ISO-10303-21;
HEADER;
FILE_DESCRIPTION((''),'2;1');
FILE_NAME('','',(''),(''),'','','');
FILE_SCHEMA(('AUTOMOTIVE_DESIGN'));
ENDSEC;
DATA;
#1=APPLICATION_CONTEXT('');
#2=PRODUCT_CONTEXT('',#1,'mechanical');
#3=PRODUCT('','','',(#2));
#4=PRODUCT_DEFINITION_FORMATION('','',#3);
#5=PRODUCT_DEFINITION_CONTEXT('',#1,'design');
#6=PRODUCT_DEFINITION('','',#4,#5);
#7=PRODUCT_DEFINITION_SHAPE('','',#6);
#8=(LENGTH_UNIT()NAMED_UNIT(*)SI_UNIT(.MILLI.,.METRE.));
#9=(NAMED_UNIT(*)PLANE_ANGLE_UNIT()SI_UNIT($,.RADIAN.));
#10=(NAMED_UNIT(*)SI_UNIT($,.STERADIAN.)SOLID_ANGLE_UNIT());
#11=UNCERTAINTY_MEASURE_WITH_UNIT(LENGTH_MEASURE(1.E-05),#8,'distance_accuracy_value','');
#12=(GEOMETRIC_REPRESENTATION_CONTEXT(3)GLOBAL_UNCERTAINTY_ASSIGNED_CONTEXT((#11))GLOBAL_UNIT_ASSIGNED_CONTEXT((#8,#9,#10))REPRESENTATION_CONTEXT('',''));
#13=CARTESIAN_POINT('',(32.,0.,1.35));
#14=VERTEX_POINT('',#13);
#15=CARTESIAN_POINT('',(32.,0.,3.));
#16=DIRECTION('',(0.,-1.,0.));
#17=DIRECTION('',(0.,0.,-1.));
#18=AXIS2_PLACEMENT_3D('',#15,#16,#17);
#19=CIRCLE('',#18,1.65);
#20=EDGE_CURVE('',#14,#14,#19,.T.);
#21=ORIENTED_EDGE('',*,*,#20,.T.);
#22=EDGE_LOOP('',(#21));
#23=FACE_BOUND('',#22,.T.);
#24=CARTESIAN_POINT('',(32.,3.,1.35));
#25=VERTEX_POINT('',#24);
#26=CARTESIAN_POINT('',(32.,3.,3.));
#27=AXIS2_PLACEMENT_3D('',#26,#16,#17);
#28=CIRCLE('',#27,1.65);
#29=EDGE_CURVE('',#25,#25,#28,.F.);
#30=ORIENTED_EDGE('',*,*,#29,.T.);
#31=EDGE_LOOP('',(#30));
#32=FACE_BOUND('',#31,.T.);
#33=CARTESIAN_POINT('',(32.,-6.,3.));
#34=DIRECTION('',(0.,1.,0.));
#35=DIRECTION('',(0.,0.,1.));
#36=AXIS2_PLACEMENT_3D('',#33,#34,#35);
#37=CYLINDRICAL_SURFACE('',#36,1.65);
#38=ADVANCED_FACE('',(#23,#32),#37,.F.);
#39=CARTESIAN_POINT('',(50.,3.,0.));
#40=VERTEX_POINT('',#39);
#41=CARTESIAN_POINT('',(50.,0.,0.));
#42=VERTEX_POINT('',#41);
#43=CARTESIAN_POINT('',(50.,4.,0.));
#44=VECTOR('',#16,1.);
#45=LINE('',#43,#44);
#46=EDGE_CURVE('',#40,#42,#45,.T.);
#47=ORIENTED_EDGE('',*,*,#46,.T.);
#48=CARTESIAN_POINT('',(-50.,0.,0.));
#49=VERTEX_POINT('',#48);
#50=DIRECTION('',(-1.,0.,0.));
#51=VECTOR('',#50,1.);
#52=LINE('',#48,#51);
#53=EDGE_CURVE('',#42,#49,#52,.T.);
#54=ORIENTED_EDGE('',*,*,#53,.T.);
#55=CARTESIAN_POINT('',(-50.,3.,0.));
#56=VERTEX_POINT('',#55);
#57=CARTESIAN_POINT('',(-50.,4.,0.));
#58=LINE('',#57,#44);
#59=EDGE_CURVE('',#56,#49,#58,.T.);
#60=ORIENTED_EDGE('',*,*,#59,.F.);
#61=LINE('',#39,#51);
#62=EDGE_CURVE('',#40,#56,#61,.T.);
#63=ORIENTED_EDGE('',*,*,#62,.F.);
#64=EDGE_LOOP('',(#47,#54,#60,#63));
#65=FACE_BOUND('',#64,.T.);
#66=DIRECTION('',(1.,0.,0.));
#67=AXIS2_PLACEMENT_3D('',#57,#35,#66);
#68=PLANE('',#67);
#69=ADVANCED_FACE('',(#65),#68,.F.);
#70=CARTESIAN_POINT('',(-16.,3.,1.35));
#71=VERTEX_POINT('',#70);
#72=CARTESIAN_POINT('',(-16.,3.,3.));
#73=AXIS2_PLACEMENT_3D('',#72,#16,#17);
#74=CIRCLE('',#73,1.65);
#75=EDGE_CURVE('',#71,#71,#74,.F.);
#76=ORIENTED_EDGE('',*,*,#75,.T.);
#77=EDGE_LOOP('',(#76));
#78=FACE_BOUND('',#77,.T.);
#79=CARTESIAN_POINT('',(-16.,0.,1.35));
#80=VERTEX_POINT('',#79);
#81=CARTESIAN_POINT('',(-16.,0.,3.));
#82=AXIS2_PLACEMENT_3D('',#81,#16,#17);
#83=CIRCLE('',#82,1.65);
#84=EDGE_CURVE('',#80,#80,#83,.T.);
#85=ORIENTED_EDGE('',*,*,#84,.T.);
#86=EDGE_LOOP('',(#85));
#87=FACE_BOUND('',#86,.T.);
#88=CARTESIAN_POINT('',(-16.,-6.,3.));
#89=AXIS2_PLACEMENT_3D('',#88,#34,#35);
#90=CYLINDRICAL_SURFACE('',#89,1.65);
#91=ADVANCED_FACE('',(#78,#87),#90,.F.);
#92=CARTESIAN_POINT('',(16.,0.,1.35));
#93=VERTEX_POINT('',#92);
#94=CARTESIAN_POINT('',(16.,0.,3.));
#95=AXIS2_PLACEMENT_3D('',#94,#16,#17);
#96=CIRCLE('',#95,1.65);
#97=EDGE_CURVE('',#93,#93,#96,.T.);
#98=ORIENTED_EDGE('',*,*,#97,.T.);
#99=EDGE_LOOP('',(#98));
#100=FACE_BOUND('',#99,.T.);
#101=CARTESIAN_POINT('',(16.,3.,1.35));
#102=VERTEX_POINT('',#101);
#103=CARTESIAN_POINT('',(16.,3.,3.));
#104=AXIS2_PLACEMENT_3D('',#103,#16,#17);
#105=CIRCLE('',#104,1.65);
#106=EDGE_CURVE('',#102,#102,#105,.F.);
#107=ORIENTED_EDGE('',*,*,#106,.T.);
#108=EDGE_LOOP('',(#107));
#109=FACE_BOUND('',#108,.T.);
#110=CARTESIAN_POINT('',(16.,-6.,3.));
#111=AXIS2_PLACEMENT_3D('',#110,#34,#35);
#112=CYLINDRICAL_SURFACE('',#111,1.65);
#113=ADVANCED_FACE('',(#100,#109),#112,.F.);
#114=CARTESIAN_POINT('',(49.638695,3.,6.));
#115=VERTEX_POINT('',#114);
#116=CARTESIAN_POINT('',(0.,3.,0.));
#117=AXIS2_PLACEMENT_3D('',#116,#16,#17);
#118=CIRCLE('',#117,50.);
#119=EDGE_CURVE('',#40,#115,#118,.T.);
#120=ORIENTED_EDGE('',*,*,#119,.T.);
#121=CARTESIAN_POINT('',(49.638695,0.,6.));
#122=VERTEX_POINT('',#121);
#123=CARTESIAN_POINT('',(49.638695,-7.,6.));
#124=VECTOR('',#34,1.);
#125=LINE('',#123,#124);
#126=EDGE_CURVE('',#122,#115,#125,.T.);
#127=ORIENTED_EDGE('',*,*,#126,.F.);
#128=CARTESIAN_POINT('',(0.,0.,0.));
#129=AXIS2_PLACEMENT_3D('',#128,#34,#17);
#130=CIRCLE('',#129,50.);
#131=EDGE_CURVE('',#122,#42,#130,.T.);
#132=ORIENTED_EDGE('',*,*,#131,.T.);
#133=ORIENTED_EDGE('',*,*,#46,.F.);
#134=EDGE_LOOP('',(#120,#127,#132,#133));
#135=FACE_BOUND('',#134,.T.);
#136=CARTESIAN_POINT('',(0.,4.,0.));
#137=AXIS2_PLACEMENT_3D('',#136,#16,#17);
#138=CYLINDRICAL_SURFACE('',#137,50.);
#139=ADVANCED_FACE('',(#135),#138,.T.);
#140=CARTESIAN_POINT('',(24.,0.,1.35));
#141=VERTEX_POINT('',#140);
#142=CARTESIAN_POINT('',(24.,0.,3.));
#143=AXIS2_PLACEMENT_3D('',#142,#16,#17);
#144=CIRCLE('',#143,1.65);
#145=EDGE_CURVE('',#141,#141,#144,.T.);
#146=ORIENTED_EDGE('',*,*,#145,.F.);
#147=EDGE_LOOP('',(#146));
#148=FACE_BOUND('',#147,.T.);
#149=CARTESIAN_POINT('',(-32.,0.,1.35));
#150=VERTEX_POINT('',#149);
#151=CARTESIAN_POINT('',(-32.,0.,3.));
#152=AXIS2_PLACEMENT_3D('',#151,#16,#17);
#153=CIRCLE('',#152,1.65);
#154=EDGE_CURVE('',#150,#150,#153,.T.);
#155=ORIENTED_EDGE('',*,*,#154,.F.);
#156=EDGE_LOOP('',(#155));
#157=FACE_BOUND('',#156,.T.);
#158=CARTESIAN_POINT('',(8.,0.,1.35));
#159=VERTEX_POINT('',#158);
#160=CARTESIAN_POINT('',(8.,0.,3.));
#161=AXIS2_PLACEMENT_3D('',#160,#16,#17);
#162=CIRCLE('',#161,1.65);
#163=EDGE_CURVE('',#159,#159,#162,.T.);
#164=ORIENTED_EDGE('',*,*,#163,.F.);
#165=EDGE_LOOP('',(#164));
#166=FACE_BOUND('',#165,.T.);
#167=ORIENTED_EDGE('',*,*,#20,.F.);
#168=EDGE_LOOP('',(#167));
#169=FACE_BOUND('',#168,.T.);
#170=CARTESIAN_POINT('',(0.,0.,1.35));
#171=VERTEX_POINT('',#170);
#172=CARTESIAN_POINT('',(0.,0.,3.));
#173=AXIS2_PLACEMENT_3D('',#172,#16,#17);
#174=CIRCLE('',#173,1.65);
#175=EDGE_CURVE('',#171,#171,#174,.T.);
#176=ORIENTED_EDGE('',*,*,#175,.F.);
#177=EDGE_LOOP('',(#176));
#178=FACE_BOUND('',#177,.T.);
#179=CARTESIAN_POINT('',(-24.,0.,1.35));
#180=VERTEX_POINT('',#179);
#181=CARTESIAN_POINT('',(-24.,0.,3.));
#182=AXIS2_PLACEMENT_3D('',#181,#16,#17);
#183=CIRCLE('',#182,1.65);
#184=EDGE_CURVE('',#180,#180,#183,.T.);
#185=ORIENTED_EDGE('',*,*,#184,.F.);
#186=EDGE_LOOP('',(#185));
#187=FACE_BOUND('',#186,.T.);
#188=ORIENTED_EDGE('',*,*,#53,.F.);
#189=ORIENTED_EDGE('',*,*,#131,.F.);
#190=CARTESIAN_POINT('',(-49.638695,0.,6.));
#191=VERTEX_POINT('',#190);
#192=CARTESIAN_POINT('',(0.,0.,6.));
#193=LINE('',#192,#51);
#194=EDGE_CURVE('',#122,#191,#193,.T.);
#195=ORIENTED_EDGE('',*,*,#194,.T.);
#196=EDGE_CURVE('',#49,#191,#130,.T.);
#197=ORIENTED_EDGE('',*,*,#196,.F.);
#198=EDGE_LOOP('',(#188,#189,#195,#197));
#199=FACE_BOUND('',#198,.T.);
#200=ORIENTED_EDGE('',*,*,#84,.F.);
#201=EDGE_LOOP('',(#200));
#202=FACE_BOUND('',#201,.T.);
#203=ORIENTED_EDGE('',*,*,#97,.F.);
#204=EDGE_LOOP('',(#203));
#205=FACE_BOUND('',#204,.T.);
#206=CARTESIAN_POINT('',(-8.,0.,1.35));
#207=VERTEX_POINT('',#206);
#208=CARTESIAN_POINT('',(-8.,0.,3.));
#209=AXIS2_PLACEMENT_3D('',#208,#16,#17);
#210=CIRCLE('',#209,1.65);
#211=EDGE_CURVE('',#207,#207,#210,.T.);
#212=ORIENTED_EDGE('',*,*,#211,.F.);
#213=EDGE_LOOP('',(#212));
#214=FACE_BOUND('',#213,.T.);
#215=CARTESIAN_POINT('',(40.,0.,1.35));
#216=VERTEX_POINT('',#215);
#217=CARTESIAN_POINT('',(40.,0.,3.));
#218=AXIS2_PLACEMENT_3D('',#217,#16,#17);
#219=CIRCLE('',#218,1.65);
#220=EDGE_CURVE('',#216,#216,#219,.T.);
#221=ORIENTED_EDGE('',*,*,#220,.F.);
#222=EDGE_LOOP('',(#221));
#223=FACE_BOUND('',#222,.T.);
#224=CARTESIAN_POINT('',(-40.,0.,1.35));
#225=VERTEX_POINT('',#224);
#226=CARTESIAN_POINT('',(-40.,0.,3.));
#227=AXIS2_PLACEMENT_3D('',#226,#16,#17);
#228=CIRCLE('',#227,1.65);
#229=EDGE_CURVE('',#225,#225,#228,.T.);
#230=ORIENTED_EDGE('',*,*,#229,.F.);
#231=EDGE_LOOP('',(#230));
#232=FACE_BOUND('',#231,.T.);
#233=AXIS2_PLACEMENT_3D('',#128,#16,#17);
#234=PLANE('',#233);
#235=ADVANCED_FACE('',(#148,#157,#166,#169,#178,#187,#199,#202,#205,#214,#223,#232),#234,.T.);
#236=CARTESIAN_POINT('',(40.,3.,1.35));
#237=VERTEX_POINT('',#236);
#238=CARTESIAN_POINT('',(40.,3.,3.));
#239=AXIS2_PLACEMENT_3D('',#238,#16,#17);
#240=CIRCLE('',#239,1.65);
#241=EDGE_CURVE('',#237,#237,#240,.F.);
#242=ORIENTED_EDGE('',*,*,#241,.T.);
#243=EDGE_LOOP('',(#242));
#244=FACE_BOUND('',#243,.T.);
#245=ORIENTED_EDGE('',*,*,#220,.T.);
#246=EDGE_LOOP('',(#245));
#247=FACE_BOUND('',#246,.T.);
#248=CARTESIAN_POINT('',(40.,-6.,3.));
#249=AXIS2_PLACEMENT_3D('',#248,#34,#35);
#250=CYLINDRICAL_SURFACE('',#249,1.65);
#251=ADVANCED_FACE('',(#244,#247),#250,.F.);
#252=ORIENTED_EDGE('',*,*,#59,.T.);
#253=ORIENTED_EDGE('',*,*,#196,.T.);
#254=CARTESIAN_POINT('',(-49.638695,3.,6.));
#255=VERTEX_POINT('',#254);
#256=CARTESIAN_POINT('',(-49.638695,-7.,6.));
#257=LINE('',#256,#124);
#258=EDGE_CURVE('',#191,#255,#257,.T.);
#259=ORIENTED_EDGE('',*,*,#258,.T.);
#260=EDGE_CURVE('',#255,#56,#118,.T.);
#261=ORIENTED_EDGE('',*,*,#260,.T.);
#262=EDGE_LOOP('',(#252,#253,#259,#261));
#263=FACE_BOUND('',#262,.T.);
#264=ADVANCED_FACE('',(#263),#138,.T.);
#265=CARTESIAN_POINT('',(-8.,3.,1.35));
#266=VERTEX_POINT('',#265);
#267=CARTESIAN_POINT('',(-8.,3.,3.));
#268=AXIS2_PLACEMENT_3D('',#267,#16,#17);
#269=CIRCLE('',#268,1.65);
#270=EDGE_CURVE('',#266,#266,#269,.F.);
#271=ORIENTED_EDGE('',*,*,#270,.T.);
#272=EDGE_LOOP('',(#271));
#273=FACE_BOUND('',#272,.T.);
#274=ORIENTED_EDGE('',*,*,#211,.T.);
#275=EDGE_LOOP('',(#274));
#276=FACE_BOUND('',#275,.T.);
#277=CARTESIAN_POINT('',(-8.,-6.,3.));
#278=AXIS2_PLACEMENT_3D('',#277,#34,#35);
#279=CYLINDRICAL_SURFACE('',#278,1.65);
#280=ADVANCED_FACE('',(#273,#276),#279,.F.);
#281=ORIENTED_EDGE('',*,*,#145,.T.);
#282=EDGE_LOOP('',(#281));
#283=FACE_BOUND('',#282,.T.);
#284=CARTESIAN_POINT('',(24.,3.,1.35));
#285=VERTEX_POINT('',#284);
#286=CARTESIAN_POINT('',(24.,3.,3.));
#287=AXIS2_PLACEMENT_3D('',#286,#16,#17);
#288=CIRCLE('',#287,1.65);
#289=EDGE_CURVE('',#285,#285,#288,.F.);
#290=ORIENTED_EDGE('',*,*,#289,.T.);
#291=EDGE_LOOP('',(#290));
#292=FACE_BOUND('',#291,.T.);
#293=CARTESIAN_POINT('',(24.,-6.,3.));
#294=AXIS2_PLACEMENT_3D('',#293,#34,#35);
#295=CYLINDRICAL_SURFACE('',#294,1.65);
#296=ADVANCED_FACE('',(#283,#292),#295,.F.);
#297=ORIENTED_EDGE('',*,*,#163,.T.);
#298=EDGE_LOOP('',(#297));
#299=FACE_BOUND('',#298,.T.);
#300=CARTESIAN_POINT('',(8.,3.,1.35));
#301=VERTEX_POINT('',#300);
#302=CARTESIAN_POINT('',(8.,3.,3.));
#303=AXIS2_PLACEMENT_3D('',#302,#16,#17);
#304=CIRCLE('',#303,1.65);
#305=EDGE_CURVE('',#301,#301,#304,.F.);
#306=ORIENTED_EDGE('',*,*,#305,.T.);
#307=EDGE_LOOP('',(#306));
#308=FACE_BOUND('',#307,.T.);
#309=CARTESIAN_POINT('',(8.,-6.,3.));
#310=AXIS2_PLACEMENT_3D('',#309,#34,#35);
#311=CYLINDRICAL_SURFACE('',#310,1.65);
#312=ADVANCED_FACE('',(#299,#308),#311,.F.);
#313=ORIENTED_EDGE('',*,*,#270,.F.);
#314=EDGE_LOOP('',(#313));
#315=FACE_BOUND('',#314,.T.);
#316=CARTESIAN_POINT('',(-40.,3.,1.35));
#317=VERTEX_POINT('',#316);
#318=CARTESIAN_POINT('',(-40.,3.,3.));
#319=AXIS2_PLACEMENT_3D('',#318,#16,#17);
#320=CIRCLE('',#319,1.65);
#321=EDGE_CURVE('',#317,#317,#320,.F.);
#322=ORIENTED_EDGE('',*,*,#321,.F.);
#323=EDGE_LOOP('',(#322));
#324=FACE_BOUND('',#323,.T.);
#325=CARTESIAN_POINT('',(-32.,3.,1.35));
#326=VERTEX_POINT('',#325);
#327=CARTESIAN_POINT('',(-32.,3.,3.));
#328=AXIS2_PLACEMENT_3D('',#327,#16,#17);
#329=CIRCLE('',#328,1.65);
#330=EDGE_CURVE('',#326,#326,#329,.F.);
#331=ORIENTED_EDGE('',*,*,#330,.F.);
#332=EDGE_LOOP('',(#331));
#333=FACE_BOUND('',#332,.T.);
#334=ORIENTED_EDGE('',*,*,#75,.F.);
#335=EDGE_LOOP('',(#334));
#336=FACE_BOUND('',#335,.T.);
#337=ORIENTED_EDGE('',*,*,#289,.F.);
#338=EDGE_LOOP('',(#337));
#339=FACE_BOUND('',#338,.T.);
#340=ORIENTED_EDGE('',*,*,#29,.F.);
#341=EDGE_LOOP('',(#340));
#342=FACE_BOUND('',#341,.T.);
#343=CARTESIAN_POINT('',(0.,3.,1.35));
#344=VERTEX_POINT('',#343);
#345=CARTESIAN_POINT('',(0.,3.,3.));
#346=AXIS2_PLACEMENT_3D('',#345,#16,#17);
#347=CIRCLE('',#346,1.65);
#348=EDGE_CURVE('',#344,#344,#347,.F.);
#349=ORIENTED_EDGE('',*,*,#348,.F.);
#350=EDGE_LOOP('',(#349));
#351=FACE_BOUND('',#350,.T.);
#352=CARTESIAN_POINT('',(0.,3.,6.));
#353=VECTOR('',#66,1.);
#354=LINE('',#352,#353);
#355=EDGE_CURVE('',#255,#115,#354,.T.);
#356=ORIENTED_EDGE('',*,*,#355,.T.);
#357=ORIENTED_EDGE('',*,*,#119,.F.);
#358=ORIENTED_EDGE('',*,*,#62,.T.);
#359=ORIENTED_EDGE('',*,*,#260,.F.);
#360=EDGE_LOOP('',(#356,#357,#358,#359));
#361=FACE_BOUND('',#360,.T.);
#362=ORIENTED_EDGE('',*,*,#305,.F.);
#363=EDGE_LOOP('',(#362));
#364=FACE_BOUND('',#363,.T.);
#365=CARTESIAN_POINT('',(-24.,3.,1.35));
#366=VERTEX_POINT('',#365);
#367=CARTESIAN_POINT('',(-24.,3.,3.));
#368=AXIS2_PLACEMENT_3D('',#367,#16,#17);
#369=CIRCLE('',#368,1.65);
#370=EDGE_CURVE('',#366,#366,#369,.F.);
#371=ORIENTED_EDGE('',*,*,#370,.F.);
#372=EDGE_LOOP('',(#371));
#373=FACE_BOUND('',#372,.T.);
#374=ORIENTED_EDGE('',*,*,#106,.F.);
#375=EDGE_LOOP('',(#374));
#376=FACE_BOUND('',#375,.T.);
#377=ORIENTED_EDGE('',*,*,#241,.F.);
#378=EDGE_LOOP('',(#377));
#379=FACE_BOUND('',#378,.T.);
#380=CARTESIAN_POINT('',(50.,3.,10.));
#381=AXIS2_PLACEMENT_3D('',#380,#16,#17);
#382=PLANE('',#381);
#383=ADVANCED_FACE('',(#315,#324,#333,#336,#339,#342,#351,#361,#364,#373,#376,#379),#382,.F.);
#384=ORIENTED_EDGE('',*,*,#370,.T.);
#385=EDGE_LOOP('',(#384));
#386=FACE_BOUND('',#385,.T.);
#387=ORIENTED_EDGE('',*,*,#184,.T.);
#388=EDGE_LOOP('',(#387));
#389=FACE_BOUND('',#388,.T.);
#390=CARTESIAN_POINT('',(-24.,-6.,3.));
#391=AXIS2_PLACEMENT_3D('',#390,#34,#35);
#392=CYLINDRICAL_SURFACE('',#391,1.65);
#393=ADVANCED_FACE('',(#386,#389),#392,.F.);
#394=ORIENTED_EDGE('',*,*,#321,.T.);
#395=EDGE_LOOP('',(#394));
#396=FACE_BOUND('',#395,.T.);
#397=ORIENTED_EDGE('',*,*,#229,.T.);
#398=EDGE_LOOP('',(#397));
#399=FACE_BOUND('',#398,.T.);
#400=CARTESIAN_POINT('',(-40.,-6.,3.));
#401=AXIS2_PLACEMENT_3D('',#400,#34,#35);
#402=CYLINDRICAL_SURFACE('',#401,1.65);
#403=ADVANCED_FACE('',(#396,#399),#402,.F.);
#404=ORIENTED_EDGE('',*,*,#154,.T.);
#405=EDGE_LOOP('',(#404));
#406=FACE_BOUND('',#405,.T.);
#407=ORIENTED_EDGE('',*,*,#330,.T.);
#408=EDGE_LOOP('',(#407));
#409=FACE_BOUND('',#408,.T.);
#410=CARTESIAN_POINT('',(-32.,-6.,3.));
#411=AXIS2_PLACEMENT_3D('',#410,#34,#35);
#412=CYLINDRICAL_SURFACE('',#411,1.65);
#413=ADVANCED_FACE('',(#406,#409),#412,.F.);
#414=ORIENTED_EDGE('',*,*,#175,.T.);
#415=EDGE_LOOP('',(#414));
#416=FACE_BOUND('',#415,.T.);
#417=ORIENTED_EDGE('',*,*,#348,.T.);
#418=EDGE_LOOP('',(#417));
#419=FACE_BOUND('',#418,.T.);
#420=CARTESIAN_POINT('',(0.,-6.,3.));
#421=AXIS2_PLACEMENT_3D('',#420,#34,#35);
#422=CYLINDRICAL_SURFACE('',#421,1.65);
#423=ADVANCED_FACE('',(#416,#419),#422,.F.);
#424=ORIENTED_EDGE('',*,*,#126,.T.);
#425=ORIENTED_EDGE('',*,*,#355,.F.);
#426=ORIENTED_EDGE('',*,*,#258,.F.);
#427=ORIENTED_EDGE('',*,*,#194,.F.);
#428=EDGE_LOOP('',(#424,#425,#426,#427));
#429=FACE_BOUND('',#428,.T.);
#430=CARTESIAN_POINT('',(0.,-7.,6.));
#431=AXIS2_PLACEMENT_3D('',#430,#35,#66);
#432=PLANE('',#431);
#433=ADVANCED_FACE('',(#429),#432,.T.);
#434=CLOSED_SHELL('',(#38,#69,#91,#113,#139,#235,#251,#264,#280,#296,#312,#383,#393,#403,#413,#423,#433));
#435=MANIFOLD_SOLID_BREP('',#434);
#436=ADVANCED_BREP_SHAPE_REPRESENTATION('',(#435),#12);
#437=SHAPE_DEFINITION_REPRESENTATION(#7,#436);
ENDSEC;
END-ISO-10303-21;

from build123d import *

# Parameters (mm, degrees)
EXTRUDE_1_DEPTH     = 4
CUT_EXTRUDE_1_DEPTH = 10
SKETCH_3_R          = 2.25
CUT_EXTRUDE_2_DEPTH = 10
SKETCH_4_R          = 1.65
CUT_EXTRUDE_3_DEPTH = 10
SKETCH_5_R          = 2.25
SKETCH_5_W          = 40
SKETCH_5_H          = 20
CUT_EXTRUDE_4_DEPTH = 10
CUT_EXTRUDE_6_DEPTH = 10
CUT_EXTRUDE_START   = -10
CUT_EXTRUDE_7_DEPTH = 10


with BuildPart() as part:
    # 草图1 → 凸台-拉伸1 (new body)
    with BuildSketch(Plane(origin=(0, 0, 0), x_dir=(1, 0, 0), z_dir=(0, 1, 0))):
        with BuildLine():
            Line((-50, 0), (50, 0))
            ThreePointArc((50, 0), (0, -50), (-50, 0))
        make_face()
    extrude(amount=EXTRUDE_1_DEPTH)

    # 草图2 → 切除-拉伸1 (cut)
    with BuildSketch(Plane(origin=(0, 4, 0), x_dir=(1, 0, 0), z_dir=(0, 1, 0))):
        Polygon((0, -10.623043888), (10, -10.623043888), (10, -30.623043888), (-30, -30.623043888), (-30, -10.623043888), align=None)
    extrude(amount=-CUT_EXTRUDE_1_DEPTH, mode=Mode.SUBTRACT)

    # 草图3 → 切除-拉伸2 (cut)
    with BuildSketch(Plane(origin=(0, 4, 0), x_dir=(1, 0, 0), z_dir=(0, 1, 0))):
        with Locations(Location((-34.75, -15.623043888, 0), (0, 0, 270))):
            Circle(SKETCH_3_R)
        with Locations(Location((-34.75, -25.623043888, 0), (0, 0, 270))):
            Circle(SKETCH_3_R)
        with Locations(Location((14.75, -25.623043888, 0), (0, 0, 90))):
            Circle(SKETCH_3_R)
        with Locations(Location((14.75, -15.623043888, 0), (0, 0, 90))):
            Circle(SKETCH_3_R)
    extrude(amount=-CUT_EXTRUDE_2_DEPTH, mode=Mode.SUBTRACT)

    # 草图4 → 切除-拉伸3 (cut)
    with BuildSketch(Plane(origin=(0, 4, 0), x_dir=(1, 0, 0), z_dir=(0, 1, 0))):
        with Locations(Location((0, -3, 0), (0, 0, 270))):
            Circle(SKETCH_4_R)
        with Locations(Location((8, -3, 0), (0, 0, 270))):
            Circle(SKETCH_4_R)
        with Locations(Location((16, -3, 0), (0, 0, 270))):
            Circle(SKETCH_4_R)
        with Locations(Location((24, -3, 0), (0, 0, 270))):
            Circle(SKETCH_4_R)
        with Locations(Location((32, -3, 0), (0, 0, 270))):
            Circle(SKETCH_4_R)
        with Locations(Location((40, -3, 0), (0, 0, 270))):
            Circle(SKETCH_4_R)
        with Locations(Location((-40, -3, 0), (0, 0, 90))):
            Circle(SKETCH_4_R)
        with Locations(Location((-32, -3, 0), (0, 0, 90))):
            Circle(SKETCH_4_R)
        with Locations(Location((-24, -3, 0), (0, 0, 90))):
            Circle(SKETCH_4_R)
        with Locations(Location((-16, -3, 0), (0, 0, 90))):
            Circle(SKETCH_4_R)
        with Locations(Location((-8, -3, 0), (0, 0, 90))):
            Circle(SKETCH_4_R)
    extrude(amount=-CUT_EXTRUDE_3_DEPTH, mode=Mode.SUBTRACT)

    # 草图5 → 切除-拉伸4 (cut)
    with BuildSketch(Plane(origin=(0, 4, 0), x_dir=(1, 0, 0), z_dir=(0, 1, 0))):
        with BuildLine():
            Line((49.355850717, -8), (0, -8))
            Line((0, -8), (-49.355850717, -8))
            ThreePointArc((-49.355850717, -8), (0, -50), (49.355850717, -8))
        make_face()
        with Locations((-34.75, -25.623043888)):
            Circle(SKETCH_5_R, mode=Mode.SUBTRACT)
        with Locations((-10, -20.623043888)):
            Rectangle(SKETCH_5_W, SKETCH_5_H, mode=Mode.SUBTRACT)
        with Locations((-34.75, -15.623043888)):
            Circle(SKETCH_5_R, mode=Mode.SUBTRACT)
        with Locations((14.75, -25.623043888)):
            Circle(SKETCH_5_R, mode=Mode.SUBTRACT)
        with Locations((14.75, -15.623043888)):
            Circle(SKETCH_5_R, mode=Mode.SUBTRACT)
    extrude(amount=-CUT_EXTRUDE_4_DEPTH, mode=Mode.SUBTRACT)

    # 草图7 → 切除-拉伸6 (cut)
    with BuildSketch(Plane(origin=(0, 0, 0), x_dir=(-1, 0, 0), z_dir=(0, 0, -1))):
        Polygon((-50, 4), (-50, 3), (50, 3), (50, 4), (49.677925359, 4), align=None)
    extrude(amount=-CUT_EXTRUDE_6_DEPTH, mode=Mode.SUBTRACT)

    # 草图8 → 切除-拉伸7 (cut)
    with BuildSketch(Plane(origin=(0, 3, 0), x_dir=(1, 0, 0), z_dir=(0, 1, 0)).offset(CUT_EXTRUDE_START)):
        with BuildLine():
            Line((49.638694584, -6), (0, -6))
            Line((0, -6), (-49.638694584, -6))
            ThreePointArc((-49.638694584, -6), (-49.507373187, -7.001428437), (-49.355850717, -8))
            Line((-49.355850717, -8), (49.355850717, -8))
            ThreePointArc((49.355850717, -8), (49.507373187, -7.001428437), (49.638694584, -6))
        make_face()
    extrude(amount=CUT_EXTRUDE_7_DEPTH, mode=Mode.SUBTRACT)


solid = part.part
